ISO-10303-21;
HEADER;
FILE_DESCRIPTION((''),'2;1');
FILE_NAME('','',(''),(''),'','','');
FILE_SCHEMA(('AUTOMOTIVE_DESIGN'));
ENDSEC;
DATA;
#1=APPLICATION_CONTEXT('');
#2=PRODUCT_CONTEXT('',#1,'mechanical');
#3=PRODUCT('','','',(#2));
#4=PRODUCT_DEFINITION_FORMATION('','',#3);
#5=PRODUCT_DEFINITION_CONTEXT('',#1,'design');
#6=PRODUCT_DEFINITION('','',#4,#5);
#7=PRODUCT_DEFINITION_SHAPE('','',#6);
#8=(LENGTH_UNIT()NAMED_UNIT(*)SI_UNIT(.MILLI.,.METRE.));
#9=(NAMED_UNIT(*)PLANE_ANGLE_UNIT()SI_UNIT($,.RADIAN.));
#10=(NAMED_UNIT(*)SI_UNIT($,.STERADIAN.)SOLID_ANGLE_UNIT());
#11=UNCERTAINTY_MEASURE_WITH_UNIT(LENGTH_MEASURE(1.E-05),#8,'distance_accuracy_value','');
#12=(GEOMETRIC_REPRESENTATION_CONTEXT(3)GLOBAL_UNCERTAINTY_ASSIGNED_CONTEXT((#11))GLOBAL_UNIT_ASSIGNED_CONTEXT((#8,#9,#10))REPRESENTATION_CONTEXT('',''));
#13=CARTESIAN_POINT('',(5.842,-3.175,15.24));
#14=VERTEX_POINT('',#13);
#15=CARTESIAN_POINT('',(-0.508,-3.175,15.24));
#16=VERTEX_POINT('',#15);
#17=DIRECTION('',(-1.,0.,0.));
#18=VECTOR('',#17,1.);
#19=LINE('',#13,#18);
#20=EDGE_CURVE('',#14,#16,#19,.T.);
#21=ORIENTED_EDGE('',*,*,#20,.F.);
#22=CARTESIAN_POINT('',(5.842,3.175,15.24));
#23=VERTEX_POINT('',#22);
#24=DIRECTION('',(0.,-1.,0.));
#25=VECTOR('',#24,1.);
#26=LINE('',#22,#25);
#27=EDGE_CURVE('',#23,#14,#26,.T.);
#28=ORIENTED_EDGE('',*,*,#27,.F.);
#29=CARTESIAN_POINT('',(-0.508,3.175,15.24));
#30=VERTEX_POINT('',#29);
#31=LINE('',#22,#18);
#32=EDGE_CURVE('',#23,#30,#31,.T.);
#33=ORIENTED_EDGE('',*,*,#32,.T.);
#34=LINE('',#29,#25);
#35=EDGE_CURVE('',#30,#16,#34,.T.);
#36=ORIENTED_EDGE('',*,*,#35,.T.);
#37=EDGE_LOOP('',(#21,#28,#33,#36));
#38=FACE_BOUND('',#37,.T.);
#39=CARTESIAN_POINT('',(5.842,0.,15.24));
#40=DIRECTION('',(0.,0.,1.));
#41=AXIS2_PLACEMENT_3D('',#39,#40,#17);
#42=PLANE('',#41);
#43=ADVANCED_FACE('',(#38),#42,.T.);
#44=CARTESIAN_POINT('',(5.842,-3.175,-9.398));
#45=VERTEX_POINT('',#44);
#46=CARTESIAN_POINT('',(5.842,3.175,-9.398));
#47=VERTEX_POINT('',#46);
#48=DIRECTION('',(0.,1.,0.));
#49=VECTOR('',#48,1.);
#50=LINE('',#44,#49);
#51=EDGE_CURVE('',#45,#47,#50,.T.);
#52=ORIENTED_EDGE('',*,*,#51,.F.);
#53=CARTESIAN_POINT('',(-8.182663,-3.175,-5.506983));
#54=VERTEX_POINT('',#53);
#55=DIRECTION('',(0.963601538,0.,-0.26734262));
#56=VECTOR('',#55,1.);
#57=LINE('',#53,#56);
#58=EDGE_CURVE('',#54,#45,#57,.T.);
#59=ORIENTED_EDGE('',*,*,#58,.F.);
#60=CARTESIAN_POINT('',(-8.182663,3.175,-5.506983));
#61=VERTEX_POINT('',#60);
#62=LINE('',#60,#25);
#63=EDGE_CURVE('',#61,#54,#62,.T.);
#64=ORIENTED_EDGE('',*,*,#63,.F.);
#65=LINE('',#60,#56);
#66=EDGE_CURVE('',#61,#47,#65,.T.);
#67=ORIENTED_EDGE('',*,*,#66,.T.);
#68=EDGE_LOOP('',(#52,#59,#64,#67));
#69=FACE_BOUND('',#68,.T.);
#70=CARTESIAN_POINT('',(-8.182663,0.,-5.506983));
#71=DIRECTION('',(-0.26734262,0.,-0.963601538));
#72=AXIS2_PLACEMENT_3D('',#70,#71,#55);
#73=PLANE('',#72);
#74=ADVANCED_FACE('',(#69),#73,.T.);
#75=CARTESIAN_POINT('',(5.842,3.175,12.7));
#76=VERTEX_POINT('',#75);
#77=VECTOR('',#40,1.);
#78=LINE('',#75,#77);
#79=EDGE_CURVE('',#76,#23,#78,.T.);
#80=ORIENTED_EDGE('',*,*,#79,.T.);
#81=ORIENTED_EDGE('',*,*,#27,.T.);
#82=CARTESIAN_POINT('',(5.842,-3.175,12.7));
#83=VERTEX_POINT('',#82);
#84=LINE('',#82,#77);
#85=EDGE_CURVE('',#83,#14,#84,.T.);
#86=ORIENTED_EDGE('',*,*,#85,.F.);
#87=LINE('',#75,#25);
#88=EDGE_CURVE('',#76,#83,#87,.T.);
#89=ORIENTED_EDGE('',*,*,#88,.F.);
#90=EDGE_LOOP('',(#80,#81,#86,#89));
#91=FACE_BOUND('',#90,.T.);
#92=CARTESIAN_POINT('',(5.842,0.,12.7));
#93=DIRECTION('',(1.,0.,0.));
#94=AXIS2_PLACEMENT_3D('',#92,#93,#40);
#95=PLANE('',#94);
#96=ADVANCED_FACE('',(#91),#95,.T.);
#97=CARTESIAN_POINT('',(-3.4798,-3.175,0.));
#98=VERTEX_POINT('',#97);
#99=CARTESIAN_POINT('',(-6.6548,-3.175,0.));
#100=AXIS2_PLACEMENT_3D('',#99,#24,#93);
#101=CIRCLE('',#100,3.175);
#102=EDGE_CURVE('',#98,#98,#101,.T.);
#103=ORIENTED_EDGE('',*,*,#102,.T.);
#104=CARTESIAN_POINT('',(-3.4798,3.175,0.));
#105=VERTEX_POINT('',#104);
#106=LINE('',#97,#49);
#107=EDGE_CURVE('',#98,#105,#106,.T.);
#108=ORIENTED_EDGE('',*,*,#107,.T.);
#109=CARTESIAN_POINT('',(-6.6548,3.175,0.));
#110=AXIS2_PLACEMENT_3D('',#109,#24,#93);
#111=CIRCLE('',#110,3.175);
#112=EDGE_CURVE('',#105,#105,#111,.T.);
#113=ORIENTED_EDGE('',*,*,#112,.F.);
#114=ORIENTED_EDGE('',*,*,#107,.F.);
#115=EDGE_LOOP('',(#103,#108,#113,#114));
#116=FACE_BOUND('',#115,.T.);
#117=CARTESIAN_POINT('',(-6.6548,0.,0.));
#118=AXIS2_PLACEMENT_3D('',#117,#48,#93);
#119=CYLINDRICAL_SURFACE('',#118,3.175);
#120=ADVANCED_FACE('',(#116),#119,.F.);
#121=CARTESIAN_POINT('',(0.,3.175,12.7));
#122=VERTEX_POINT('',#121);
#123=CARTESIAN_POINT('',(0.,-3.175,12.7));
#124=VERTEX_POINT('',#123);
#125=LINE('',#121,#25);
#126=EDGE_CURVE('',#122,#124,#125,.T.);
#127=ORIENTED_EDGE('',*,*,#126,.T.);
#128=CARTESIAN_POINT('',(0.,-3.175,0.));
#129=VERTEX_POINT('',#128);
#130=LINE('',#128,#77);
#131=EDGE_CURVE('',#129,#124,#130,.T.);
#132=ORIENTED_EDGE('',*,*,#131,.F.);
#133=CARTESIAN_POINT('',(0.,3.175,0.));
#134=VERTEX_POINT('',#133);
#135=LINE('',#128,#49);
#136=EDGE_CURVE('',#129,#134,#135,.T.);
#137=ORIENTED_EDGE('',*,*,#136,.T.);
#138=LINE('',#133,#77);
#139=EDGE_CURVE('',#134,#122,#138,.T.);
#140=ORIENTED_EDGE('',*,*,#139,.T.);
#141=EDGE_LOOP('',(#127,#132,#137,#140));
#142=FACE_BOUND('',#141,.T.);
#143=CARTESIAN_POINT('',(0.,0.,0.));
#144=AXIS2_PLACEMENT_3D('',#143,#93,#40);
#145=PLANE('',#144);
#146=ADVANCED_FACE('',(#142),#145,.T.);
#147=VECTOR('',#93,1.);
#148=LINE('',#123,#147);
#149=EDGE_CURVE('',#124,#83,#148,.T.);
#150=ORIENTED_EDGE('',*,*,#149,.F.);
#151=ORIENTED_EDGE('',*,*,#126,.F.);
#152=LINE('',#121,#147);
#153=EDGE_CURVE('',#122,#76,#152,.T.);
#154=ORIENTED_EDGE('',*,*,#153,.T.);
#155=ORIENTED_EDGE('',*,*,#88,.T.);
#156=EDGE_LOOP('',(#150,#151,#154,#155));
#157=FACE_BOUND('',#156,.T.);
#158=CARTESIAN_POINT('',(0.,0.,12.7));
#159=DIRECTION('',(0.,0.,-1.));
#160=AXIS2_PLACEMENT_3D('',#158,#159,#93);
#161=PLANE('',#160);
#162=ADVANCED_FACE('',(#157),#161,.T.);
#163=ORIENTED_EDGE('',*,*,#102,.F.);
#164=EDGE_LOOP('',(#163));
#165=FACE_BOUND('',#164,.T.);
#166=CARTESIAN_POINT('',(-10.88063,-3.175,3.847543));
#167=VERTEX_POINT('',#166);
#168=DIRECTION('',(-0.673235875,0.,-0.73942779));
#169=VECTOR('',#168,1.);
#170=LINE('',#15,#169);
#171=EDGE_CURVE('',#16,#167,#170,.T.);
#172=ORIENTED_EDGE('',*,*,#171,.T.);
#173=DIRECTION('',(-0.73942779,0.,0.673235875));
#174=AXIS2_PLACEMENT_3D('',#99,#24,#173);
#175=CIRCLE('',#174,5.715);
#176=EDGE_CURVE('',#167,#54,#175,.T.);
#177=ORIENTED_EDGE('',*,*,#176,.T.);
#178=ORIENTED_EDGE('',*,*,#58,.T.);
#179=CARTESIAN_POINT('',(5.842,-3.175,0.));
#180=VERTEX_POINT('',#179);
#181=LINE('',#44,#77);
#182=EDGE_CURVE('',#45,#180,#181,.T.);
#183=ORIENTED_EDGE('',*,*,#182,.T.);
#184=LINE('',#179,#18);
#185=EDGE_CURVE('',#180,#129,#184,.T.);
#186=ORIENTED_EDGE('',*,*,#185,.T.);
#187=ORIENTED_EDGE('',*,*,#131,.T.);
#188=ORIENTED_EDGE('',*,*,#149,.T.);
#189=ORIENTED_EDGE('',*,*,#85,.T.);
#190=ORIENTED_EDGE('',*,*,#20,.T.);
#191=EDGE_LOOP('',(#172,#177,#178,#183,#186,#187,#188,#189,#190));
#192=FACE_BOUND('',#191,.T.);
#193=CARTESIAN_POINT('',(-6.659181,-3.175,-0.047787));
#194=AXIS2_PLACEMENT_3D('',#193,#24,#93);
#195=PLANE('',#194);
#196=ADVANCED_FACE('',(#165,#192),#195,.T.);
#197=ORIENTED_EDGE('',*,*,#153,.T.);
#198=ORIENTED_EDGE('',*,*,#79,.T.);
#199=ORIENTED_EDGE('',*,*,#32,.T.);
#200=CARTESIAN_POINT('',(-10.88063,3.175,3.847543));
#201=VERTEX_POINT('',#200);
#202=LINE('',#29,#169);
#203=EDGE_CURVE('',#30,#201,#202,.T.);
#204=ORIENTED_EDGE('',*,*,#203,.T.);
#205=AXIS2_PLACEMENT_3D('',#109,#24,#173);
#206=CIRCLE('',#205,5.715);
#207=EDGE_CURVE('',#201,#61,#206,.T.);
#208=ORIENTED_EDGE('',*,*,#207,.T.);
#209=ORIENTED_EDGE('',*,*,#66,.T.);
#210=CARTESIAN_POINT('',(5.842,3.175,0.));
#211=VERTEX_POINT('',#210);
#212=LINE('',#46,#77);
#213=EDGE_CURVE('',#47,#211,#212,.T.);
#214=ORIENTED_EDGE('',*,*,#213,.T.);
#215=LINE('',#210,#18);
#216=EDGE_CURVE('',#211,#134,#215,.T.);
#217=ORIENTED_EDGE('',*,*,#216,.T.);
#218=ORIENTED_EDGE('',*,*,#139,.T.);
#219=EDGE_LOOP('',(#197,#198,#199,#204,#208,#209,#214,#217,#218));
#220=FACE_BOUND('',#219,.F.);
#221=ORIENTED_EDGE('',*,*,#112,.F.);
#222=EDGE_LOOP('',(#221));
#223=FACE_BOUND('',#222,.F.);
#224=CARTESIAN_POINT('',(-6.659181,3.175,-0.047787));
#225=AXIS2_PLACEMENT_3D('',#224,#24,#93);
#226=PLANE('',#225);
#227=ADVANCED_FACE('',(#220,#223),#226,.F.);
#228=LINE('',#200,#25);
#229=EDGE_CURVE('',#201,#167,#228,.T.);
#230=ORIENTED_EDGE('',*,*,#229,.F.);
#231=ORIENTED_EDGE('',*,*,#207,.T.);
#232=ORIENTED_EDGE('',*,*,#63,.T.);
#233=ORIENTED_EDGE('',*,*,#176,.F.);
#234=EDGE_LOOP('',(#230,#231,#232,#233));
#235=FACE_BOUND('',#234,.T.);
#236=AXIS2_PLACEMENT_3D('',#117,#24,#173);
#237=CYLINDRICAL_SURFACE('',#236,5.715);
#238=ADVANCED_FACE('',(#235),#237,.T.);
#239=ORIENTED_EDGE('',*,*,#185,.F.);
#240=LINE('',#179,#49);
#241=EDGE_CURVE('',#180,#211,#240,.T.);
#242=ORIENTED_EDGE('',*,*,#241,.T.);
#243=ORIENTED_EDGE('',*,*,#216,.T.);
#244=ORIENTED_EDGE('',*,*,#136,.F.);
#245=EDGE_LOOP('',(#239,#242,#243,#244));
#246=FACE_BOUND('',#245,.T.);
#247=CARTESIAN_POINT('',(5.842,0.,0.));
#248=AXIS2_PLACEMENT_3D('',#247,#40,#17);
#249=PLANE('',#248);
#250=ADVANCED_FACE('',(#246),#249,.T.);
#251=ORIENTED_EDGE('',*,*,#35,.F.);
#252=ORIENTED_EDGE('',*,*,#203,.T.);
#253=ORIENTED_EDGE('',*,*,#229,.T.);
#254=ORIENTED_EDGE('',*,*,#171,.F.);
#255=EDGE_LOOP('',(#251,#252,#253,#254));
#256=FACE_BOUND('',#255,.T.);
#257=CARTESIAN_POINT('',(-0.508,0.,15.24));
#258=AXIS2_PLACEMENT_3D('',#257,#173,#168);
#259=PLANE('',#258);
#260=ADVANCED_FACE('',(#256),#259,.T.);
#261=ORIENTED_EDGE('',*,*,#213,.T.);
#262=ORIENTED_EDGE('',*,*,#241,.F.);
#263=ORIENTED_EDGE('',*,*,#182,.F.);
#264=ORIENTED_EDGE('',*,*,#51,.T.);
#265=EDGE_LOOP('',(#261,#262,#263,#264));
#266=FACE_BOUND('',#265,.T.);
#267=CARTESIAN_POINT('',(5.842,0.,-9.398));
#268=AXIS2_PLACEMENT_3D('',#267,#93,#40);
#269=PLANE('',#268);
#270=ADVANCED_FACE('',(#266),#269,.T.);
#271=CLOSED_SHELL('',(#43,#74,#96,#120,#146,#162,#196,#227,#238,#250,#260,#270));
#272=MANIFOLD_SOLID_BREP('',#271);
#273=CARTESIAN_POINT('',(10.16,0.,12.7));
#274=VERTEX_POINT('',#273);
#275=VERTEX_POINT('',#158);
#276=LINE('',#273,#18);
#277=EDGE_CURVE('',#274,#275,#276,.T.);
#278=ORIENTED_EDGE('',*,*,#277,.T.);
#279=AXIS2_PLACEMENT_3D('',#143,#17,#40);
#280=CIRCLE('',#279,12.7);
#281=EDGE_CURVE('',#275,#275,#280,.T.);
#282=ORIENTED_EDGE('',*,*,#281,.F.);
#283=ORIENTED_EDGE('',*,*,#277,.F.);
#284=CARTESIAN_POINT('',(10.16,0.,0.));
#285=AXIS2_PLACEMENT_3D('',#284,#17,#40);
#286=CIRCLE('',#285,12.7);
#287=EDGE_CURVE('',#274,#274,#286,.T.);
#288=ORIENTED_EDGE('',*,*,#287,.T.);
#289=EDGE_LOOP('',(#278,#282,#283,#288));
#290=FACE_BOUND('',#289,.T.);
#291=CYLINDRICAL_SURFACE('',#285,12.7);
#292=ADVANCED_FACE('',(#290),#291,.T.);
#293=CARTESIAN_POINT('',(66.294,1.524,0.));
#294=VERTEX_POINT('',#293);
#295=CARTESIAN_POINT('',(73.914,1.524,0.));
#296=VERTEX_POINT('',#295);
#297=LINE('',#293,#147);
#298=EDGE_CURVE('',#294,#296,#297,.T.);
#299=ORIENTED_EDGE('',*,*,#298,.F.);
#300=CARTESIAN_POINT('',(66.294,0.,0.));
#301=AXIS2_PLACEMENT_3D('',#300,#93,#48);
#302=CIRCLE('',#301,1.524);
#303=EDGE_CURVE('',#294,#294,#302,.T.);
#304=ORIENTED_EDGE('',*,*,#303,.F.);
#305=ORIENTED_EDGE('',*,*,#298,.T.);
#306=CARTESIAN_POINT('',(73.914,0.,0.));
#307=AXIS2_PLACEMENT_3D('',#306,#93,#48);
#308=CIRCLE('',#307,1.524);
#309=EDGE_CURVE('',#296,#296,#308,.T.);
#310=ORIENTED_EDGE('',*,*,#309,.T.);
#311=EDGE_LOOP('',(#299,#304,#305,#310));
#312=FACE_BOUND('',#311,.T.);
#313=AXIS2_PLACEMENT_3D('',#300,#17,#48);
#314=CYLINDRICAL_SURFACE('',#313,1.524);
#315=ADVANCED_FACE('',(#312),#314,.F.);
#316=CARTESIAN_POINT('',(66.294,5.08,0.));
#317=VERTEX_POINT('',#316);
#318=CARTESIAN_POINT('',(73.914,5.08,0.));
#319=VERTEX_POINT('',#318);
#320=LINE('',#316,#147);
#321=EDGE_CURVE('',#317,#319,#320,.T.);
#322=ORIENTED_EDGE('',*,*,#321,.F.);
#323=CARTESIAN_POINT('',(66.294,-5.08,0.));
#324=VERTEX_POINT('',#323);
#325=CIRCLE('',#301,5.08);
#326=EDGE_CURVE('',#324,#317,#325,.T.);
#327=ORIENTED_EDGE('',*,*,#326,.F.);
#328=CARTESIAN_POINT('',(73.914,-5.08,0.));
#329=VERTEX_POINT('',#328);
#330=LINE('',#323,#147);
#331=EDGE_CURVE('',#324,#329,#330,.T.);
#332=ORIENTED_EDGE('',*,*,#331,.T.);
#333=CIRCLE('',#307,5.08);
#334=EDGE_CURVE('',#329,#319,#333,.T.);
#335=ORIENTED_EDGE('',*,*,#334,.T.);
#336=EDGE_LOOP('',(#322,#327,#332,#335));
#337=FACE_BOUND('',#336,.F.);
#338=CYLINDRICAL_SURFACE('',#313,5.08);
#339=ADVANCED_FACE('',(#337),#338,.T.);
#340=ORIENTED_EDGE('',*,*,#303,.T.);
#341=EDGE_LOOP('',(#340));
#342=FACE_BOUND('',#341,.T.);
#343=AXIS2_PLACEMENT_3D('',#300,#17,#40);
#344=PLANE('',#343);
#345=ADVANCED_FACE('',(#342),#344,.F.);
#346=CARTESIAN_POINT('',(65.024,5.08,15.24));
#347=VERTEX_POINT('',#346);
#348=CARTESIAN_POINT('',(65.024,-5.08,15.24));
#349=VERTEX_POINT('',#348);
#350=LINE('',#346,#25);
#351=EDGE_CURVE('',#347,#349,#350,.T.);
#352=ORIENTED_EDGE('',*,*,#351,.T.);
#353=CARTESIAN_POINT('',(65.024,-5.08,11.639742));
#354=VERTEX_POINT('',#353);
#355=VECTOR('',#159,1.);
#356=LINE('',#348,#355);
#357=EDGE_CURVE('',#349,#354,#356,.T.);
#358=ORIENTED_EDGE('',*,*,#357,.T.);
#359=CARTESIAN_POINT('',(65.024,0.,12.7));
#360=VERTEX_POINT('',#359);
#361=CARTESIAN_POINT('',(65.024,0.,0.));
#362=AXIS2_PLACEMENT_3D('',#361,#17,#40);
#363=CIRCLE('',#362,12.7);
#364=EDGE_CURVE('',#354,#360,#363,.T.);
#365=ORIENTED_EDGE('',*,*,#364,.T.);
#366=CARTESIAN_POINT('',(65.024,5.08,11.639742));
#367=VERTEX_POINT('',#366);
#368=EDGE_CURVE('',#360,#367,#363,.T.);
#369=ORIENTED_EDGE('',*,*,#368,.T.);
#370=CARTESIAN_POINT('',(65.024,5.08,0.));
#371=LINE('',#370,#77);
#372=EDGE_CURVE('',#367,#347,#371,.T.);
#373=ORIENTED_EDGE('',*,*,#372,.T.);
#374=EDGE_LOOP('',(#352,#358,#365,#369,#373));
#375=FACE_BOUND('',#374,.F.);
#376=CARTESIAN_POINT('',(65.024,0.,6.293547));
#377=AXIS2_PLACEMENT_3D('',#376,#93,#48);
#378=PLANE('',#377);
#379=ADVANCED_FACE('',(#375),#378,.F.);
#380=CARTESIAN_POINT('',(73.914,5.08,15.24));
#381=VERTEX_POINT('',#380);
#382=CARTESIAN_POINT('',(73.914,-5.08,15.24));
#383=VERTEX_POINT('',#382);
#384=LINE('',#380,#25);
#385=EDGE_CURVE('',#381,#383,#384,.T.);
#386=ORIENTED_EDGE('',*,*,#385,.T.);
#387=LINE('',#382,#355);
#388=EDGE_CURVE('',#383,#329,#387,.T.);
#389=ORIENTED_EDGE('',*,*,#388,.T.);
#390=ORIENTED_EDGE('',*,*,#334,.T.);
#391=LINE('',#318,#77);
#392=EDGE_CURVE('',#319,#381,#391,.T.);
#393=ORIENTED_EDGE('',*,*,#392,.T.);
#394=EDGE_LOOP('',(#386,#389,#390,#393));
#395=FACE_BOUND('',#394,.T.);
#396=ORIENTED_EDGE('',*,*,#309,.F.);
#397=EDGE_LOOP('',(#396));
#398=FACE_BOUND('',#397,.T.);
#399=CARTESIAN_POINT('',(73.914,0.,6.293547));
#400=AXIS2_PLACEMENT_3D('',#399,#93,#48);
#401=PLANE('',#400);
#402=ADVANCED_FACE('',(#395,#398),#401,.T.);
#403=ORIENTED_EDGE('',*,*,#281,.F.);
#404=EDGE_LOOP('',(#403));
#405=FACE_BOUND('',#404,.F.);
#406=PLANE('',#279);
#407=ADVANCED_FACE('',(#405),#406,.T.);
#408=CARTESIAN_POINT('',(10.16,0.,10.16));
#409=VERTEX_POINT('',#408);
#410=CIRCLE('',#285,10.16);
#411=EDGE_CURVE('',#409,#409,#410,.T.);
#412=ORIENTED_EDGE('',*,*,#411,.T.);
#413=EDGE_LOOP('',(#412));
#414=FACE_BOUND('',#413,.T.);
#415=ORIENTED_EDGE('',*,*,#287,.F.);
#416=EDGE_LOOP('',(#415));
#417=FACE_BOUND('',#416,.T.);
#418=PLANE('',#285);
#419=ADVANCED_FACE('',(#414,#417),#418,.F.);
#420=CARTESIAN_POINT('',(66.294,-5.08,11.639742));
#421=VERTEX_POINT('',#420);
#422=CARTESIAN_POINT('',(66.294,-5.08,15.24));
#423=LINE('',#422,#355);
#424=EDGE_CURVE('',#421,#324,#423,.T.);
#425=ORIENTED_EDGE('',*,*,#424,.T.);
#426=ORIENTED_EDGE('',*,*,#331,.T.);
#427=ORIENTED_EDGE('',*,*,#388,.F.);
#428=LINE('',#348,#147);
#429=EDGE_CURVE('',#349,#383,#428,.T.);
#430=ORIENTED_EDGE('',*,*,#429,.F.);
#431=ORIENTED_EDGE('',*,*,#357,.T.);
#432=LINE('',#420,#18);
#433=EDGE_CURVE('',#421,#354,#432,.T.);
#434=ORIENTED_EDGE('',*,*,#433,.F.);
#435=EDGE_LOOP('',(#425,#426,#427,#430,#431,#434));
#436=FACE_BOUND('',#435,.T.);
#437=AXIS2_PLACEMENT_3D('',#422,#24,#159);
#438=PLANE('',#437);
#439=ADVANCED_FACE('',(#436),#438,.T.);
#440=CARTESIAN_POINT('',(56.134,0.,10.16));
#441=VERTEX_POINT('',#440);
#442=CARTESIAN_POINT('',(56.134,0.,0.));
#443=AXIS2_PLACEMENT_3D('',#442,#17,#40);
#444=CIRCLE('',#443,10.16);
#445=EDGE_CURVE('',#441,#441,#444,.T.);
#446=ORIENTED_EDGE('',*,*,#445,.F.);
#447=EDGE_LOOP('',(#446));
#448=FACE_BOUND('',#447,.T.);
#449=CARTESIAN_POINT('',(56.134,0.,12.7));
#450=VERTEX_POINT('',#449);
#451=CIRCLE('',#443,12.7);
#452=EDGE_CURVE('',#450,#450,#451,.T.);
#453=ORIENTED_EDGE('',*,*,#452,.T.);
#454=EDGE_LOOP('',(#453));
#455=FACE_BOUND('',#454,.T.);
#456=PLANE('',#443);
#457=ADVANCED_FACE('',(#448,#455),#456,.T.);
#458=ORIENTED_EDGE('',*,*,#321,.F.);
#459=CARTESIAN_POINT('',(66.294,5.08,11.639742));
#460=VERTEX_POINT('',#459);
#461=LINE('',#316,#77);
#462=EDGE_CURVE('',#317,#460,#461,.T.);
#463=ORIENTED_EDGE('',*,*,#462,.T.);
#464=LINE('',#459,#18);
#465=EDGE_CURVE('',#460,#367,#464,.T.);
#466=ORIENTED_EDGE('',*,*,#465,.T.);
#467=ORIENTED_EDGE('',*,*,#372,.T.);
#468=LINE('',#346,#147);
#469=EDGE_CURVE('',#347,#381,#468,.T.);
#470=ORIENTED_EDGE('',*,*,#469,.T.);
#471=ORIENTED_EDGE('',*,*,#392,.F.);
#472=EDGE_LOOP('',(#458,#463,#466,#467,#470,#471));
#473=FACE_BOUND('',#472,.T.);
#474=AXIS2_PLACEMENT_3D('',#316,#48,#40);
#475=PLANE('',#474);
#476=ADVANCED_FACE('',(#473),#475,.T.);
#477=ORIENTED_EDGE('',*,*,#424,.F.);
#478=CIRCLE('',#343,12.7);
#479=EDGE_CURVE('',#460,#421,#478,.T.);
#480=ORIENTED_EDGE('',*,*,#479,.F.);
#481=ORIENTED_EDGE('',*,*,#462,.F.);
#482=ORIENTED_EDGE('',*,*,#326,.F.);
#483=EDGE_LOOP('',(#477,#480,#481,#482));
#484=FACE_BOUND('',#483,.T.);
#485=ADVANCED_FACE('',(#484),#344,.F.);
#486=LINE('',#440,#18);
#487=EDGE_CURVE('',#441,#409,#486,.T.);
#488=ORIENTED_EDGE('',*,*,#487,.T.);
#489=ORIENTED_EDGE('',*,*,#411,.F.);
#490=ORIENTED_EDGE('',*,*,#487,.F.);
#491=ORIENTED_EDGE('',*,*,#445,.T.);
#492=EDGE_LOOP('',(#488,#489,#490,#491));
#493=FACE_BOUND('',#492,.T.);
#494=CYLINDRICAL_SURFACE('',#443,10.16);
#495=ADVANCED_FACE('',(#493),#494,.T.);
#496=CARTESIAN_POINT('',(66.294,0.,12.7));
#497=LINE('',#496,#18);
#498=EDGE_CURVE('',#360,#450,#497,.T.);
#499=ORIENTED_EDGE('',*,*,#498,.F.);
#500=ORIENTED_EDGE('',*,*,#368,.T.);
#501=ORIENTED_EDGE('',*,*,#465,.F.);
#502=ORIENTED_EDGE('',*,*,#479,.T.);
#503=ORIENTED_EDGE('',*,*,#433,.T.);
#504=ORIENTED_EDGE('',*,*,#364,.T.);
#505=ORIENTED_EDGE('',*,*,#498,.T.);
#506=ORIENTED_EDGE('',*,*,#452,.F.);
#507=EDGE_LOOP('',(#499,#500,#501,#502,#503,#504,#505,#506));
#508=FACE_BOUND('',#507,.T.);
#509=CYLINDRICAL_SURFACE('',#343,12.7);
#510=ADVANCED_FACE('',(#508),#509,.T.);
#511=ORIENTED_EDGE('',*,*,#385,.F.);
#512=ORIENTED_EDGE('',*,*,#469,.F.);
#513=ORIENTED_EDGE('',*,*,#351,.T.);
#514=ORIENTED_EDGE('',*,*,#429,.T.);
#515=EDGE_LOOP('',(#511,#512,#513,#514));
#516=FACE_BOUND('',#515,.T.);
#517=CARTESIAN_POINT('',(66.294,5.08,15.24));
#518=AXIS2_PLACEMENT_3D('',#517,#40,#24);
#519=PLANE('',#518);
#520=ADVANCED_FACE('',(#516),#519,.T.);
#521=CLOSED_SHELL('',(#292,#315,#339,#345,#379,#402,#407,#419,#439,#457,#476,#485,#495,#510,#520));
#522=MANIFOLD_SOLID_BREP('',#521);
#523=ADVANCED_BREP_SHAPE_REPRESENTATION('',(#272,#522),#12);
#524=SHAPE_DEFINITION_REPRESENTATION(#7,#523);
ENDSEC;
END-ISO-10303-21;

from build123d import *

# Parameters (mm, degrees)
F0_W          = 5.842
F0_H          = 12.7
F0_R          = 3.175
F2_DEPTH      = 3.175
F3_R          = 1.524
F4_DEPTH      = 7.62
F4_DEPTH_BACK = 1.27


with BuildPart() as f1:
    # F0 (on Front) → F1 (revolve)
    with BuildSketch(Plane.XZ):
        with Locations((2.921, 6.35)):
            Rectangle(F0_W, F0_H)
        Polygon((5.842, 12.7), (5.842, 0), (66.294, 0), (66.294, 12.7), (56.134, 12.7), (56.134, 10.16), (10.16, 10.16), (10.16, 12.7), align=None)
    revolve(axis=Axis((33.147, 0, 0), (-1, 0, 0)))

    # F3 (on face) → F4 (join, two sides)
    with BuildSketch(Plane.YZ.offset(66.294)) as f4_sk:
        with BuildLine():
            ThreePointArc((-5.08, 0), (0, 5.08), (5.08, 0))
            Line((5.08, 0), (5.08, 11.6397422652))
            ThreePointArc((5.08, 11.6397422652), (0, 12.7), (-5.08, 11.6397422652))
            Line((-5.08, 11.6397422652), (-5.08, 0))
        make_face()
        with BuildLine():
            ThreePointArc((-5.08, 11.6397422652), (0, 12.7), (5.08, 11.6397422652))
            Line((5.08, 11.6397422652), (5.08, 15.24))
            Line((5.08, 15.24), (-5.08, 15.24))
            Line((-5.08, 15.24), (-5.08, 11.6397422652))
        make_face()
        with BuildLine():
            ThreePointArc((-5.08, 0), (0, -5.08), (5.08, 0))
            ThreePointArc((5.08, 0), (0, 5.08), (-5.08, 0))
        make_face()
        Circle(F3_R, mode=Mode.SUBTRACT)
    extrude(amount=F4_DEPTH)
    extrude(f4_sk.sketch, amount=-F4_DEPTH_BACK)


with BuildPart() as f2:
    # F0 (on Front) → F2 (new body, symmetric)
    with BuildSketch(Plane.XZ):
        with BuildLine():
            ThreePointArc((-8.1826630726, -5.5069827884), (-3.1957909266, -4.5493385486), (-0.9398, 0))
            ThreePointArc((-0.9398, 0), (-4.5919612295, 5.3297205562), (-10.8806298187, 3.8475430269))
            ThreePointArc((-10.8806298187, 3.8475430269), (-12.1459778134, -1.5837270034), (-8.1826630726, -5.5069827884))
        make_face()
        with Locations((-6.6548, 0)):
            Circle(F0_R, mode=Mode.SUBTRACT)
        with BuildLine():
            Line((-0.9398, 0), (0, 0))
            Line((0, 0), (0, 12.7))
            Line((0, 12.7), (5.842, 12.7))
            Line((5.842, 12.7), (5.842, 15.24))
            Line((5.842, 15.24), (-0.508, 15.24))
            Line((-0.508, 15.24), (-10.8806298187, 3.8475430269))
            ThreePointArc((-10.8806298187, 3.8475430269), (-4.5919612295, 5.3297205562), (-0.9398, 0))
        make_face()
        with BuildLine():
            Line((5.842, 0), (0, 0))
            Line((0, 0), (-0.9398, 0))
            ThreePointArc((-0.9398, 0), (-3.1957909266, -4.5493385486), (-8.1826630726, -5.5069827884))
            Line((-8.1826630726, -5.5069827884), (5.842, -9.398))
            Line((5.842, -9.398), (5.842, 0))
        make_face()
    extrude(amount=F2_DEPTH, both=True)


solid = Compound([f1.part, f2.part])
